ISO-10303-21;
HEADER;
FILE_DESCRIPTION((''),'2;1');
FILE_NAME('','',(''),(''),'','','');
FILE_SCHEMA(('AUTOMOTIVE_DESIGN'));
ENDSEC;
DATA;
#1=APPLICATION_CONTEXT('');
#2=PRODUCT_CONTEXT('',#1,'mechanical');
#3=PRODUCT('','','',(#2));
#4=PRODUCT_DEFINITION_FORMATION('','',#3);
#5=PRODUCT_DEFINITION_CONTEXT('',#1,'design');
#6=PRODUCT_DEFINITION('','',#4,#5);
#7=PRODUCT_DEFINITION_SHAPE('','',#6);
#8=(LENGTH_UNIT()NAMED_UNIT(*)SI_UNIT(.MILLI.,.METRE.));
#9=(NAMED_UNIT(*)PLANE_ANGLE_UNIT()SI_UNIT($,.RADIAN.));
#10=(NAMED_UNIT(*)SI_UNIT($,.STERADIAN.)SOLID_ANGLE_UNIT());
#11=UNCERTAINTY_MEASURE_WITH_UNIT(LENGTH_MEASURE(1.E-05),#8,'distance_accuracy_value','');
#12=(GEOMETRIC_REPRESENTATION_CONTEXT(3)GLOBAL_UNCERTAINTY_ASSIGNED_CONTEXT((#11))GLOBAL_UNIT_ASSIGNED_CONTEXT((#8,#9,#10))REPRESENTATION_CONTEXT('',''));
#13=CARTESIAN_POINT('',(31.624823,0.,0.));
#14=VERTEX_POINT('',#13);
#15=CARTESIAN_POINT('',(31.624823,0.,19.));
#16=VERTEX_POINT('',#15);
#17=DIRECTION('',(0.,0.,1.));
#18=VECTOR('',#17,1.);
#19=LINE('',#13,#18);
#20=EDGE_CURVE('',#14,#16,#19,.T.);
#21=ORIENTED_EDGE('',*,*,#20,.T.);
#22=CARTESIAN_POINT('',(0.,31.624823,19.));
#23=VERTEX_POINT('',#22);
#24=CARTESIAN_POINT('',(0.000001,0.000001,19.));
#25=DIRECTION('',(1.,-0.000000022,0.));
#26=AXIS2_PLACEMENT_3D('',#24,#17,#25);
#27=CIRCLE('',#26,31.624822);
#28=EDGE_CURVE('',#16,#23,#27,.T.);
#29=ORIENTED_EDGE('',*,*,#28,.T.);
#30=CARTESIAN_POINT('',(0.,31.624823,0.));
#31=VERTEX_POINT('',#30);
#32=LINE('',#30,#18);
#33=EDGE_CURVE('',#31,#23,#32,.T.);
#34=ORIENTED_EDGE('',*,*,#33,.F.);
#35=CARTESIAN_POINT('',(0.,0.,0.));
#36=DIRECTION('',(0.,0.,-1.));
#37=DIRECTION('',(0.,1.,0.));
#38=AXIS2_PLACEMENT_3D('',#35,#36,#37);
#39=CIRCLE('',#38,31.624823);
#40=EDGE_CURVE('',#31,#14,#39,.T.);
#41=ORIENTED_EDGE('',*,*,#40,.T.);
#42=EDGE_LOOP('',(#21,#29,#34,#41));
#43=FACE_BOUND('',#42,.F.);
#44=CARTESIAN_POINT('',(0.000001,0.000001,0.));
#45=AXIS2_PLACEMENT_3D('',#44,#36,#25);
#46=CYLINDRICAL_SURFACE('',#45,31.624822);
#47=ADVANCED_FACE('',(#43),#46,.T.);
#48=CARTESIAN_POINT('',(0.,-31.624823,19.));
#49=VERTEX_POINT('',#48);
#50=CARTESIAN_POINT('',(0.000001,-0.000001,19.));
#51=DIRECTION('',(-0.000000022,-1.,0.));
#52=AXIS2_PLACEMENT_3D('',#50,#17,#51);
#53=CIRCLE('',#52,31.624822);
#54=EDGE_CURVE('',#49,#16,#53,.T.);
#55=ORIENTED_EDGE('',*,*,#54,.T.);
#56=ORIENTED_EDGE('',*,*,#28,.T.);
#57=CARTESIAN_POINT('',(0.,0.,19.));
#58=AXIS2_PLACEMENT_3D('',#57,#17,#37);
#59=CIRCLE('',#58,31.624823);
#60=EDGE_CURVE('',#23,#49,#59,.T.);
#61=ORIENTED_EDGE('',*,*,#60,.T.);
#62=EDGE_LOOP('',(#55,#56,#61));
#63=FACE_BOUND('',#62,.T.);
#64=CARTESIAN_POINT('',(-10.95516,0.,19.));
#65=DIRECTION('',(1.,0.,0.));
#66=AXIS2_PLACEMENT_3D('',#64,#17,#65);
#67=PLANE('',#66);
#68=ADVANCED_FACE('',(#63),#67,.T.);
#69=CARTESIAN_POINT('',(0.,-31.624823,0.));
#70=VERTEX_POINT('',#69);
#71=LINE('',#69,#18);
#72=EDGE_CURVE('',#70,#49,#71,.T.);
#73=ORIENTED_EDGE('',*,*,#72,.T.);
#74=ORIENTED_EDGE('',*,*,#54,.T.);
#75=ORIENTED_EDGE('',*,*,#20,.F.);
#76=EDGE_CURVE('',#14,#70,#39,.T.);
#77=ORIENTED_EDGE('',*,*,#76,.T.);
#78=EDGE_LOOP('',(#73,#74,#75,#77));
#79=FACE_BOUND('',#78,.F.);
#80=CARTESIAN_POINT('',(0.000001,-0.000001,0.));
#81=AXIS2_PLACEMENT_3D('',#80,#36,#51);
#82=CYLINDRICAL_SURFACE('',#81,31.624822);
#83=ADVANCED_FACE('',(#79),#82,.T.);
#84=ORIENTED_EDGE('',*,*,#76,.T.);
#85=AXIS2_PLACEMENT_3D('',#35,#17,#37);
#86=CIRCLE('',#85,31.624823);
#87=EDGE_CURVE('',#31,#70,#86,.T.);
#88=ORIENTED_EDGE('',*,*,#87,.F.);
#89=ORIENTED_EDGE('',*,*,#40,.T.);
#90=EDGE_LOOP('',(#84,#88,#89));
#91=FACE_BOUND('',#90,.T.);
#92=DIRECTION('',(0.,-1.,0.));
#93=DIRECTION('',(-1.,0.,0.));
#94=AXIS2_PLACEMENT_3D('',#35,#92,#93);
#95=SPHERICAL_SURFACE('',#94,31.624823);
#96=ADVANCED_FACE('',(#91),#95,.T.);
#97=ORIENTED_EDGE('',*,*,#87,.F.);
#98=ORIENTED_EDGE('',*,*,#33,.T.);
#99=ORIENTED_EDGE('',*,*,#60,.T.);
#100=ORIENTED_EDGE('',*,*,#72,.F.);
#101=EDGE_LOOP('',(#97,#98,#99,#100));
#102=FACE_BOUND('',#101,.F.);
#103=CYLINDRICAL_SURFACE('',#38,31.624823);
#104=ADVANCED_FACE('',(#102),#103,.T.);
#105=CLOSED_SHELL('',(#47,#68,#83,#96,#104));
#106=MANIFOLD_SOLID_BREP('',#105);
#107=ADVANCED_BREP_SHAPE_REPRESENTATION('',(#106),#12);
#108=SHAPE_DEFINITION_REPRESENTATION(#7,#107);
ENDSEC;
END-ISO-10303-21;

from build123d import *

# Parameters (mm, degrees)
F1_ANGLE = 180
F2_DEPTH = 19


with BuildPart() as f1:
    # F0 (on Top) → F1 (revolve)
    with BuildSketch(Plane.XY):
        with BuildLine():
            Line((0, -31.624823), (0, 31.624823))
            ThreePointArc((0, 31.624823), (-31.624823, 0), (0, -31.624823))
        make_face()
    revolve(axis=Axis((0, 0, 0), (0, -1, 0)), revolution_arc=F1_ANGLE)

    # F0 (on Top) → F2 (join)
    with BuildSketch(Plane.XY):
        with BuildLine():
            Line((0, -31.624823), (0, 31.624823))
            ThreePointArc((0, 31.624823), (-31.624823, 0), (0, -31.624823))
        make_face()
        with BuildLine():
            ThreePointArc((0, -31.624823), (22.362127, -22.362127), (31.624823, 0))
            ThreePointArc((31.624823, 0), (22.362127, 22.362127), (0, 31.624823))
            Line((0, 31.624823), (0, -31.624823))
        make_face()
    extrude(amount=F2_DEPTH)


solid = f1.part
